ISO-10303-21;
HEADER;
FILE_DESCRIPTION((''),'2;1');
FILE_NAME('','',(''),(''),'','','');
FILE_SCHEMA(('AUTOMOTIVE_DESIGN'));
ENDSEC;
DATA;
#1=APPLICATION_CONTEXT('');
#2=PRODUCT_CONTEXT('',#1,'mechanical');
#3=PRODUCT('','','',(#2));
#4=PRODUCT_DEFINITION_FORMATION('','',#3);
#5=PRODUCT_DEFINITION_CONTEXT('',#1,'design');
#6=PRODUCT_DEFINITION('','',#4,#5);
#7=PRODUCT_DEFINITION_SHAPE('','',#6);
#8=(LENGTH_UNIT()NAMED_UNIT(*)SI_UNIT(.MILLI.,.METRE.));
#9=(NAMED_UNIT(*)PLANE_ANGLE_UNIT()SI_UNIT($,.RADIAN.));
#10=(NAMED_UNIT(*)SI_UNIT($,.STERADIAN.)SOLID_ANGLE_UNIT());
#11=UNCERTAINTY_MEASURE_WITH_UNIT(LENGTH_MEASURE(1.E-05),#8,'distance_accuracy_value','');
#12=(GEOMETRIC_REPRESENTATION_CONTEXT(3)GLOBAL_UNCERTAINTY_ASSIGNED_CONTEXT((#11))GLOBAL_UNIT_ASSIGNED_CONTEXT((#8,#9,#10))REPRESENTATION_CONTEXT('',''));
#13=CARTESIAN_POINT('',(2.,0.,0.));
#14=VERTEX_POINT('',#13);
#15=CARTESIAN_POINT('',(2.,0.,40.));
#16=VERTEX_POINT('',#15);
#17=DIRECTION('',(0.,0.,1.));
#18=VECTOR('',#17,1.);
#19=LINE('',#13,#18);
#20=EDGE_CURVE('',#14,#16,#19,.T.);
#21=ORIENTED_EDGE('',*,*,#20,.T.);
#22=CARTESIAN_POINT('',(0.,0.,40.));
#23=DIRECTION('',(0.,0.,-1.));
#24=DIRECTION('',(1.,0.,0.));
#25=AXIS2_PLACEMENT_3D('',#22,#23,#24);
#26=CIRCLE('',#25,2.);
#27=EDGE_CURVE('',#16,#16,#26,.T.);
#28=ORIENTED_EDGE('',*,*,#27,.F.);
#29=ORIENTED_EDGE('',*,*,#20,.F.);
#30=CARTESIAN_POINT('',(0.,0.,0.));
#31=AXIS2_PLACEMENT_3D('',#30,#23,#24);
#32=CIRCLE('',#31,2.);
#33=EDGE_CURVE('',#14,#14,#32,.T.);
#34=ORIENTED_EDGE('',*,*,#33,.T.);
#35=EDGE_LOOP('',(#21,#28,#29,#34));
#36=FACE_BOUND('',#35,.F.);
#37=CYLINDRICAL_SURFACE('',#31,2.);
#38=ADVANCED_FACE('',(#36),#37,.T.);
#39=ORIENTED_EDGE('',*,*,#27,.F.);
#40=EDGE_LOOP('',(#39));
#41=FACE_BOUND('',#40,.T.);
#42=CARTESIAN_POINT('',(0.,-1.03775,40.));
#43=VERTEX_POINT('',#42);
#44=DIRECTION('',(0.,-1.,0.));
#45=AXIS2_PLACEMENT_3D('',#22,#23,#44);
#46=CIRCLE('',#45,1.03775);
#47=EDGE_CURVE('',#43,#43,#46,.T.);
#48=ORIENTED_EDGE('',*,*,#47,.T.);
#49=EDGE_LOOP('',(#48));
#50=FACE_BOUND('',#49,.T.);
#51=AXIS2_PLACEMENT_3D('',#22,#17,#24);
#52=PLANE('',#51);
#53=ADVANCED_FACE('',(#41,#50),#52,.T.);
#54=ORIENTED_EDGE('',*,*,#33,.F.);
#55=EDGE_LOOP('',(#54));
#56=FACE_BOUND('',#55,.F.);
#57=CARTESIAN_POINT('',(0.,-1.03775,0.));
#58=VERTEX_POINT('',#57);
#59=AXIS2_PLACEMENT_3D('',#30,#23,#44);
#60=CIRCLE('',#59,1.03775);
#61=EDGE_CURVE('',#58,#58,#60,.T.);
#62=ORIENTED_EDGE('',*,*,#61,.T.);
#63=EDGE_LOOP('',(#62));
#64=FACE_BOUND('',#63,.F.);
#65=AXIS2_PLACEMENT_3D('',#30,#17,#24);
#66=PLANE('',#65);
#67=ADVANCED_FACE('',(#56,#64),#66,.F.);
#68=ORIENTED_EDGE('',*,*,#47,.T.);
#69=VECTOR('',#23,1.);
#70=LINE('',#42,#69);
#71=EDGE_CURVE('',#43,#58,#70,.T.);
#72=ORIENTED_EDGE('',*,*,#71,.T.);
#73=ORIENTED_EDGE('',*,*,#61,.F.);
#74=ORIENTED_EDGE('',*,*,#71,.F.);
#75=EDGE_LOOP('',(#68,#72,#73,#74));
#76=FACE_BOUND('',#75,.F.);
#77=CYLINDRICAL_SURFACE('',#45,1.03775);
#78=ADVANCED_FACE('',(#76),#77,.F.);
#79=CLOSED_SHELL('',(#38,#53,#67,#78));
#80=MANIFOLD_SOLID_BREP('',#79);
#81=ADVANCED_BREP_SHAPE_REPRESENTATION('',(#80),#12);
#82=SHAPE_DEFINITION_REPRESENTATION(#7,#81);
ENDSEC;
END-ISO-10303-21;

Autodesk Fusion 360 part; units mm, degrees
sketch "Sketch1" plane through (0, 0, 0) normal (0, 0, 1) x (1, 0, 0)
  circle A0 centre (0, 0) radius 2
  dimension "d1" = 4
extrude "Extrude1" add sketch "Sketch1" along normal blind 40
hole "Hole1" at (0, 0, 40) direction (0, 0, -1) diameter 2.5 depth 40 tip angle 118
thread "Thread1" "ISO Metric profile 2.5 M2.5x0.45 6H" major diameter 2.58 minor diameter 2.0755 pitch 0.45 angle 60 resizes the face on face at (0.0623, -1.2484, 26.6667)
